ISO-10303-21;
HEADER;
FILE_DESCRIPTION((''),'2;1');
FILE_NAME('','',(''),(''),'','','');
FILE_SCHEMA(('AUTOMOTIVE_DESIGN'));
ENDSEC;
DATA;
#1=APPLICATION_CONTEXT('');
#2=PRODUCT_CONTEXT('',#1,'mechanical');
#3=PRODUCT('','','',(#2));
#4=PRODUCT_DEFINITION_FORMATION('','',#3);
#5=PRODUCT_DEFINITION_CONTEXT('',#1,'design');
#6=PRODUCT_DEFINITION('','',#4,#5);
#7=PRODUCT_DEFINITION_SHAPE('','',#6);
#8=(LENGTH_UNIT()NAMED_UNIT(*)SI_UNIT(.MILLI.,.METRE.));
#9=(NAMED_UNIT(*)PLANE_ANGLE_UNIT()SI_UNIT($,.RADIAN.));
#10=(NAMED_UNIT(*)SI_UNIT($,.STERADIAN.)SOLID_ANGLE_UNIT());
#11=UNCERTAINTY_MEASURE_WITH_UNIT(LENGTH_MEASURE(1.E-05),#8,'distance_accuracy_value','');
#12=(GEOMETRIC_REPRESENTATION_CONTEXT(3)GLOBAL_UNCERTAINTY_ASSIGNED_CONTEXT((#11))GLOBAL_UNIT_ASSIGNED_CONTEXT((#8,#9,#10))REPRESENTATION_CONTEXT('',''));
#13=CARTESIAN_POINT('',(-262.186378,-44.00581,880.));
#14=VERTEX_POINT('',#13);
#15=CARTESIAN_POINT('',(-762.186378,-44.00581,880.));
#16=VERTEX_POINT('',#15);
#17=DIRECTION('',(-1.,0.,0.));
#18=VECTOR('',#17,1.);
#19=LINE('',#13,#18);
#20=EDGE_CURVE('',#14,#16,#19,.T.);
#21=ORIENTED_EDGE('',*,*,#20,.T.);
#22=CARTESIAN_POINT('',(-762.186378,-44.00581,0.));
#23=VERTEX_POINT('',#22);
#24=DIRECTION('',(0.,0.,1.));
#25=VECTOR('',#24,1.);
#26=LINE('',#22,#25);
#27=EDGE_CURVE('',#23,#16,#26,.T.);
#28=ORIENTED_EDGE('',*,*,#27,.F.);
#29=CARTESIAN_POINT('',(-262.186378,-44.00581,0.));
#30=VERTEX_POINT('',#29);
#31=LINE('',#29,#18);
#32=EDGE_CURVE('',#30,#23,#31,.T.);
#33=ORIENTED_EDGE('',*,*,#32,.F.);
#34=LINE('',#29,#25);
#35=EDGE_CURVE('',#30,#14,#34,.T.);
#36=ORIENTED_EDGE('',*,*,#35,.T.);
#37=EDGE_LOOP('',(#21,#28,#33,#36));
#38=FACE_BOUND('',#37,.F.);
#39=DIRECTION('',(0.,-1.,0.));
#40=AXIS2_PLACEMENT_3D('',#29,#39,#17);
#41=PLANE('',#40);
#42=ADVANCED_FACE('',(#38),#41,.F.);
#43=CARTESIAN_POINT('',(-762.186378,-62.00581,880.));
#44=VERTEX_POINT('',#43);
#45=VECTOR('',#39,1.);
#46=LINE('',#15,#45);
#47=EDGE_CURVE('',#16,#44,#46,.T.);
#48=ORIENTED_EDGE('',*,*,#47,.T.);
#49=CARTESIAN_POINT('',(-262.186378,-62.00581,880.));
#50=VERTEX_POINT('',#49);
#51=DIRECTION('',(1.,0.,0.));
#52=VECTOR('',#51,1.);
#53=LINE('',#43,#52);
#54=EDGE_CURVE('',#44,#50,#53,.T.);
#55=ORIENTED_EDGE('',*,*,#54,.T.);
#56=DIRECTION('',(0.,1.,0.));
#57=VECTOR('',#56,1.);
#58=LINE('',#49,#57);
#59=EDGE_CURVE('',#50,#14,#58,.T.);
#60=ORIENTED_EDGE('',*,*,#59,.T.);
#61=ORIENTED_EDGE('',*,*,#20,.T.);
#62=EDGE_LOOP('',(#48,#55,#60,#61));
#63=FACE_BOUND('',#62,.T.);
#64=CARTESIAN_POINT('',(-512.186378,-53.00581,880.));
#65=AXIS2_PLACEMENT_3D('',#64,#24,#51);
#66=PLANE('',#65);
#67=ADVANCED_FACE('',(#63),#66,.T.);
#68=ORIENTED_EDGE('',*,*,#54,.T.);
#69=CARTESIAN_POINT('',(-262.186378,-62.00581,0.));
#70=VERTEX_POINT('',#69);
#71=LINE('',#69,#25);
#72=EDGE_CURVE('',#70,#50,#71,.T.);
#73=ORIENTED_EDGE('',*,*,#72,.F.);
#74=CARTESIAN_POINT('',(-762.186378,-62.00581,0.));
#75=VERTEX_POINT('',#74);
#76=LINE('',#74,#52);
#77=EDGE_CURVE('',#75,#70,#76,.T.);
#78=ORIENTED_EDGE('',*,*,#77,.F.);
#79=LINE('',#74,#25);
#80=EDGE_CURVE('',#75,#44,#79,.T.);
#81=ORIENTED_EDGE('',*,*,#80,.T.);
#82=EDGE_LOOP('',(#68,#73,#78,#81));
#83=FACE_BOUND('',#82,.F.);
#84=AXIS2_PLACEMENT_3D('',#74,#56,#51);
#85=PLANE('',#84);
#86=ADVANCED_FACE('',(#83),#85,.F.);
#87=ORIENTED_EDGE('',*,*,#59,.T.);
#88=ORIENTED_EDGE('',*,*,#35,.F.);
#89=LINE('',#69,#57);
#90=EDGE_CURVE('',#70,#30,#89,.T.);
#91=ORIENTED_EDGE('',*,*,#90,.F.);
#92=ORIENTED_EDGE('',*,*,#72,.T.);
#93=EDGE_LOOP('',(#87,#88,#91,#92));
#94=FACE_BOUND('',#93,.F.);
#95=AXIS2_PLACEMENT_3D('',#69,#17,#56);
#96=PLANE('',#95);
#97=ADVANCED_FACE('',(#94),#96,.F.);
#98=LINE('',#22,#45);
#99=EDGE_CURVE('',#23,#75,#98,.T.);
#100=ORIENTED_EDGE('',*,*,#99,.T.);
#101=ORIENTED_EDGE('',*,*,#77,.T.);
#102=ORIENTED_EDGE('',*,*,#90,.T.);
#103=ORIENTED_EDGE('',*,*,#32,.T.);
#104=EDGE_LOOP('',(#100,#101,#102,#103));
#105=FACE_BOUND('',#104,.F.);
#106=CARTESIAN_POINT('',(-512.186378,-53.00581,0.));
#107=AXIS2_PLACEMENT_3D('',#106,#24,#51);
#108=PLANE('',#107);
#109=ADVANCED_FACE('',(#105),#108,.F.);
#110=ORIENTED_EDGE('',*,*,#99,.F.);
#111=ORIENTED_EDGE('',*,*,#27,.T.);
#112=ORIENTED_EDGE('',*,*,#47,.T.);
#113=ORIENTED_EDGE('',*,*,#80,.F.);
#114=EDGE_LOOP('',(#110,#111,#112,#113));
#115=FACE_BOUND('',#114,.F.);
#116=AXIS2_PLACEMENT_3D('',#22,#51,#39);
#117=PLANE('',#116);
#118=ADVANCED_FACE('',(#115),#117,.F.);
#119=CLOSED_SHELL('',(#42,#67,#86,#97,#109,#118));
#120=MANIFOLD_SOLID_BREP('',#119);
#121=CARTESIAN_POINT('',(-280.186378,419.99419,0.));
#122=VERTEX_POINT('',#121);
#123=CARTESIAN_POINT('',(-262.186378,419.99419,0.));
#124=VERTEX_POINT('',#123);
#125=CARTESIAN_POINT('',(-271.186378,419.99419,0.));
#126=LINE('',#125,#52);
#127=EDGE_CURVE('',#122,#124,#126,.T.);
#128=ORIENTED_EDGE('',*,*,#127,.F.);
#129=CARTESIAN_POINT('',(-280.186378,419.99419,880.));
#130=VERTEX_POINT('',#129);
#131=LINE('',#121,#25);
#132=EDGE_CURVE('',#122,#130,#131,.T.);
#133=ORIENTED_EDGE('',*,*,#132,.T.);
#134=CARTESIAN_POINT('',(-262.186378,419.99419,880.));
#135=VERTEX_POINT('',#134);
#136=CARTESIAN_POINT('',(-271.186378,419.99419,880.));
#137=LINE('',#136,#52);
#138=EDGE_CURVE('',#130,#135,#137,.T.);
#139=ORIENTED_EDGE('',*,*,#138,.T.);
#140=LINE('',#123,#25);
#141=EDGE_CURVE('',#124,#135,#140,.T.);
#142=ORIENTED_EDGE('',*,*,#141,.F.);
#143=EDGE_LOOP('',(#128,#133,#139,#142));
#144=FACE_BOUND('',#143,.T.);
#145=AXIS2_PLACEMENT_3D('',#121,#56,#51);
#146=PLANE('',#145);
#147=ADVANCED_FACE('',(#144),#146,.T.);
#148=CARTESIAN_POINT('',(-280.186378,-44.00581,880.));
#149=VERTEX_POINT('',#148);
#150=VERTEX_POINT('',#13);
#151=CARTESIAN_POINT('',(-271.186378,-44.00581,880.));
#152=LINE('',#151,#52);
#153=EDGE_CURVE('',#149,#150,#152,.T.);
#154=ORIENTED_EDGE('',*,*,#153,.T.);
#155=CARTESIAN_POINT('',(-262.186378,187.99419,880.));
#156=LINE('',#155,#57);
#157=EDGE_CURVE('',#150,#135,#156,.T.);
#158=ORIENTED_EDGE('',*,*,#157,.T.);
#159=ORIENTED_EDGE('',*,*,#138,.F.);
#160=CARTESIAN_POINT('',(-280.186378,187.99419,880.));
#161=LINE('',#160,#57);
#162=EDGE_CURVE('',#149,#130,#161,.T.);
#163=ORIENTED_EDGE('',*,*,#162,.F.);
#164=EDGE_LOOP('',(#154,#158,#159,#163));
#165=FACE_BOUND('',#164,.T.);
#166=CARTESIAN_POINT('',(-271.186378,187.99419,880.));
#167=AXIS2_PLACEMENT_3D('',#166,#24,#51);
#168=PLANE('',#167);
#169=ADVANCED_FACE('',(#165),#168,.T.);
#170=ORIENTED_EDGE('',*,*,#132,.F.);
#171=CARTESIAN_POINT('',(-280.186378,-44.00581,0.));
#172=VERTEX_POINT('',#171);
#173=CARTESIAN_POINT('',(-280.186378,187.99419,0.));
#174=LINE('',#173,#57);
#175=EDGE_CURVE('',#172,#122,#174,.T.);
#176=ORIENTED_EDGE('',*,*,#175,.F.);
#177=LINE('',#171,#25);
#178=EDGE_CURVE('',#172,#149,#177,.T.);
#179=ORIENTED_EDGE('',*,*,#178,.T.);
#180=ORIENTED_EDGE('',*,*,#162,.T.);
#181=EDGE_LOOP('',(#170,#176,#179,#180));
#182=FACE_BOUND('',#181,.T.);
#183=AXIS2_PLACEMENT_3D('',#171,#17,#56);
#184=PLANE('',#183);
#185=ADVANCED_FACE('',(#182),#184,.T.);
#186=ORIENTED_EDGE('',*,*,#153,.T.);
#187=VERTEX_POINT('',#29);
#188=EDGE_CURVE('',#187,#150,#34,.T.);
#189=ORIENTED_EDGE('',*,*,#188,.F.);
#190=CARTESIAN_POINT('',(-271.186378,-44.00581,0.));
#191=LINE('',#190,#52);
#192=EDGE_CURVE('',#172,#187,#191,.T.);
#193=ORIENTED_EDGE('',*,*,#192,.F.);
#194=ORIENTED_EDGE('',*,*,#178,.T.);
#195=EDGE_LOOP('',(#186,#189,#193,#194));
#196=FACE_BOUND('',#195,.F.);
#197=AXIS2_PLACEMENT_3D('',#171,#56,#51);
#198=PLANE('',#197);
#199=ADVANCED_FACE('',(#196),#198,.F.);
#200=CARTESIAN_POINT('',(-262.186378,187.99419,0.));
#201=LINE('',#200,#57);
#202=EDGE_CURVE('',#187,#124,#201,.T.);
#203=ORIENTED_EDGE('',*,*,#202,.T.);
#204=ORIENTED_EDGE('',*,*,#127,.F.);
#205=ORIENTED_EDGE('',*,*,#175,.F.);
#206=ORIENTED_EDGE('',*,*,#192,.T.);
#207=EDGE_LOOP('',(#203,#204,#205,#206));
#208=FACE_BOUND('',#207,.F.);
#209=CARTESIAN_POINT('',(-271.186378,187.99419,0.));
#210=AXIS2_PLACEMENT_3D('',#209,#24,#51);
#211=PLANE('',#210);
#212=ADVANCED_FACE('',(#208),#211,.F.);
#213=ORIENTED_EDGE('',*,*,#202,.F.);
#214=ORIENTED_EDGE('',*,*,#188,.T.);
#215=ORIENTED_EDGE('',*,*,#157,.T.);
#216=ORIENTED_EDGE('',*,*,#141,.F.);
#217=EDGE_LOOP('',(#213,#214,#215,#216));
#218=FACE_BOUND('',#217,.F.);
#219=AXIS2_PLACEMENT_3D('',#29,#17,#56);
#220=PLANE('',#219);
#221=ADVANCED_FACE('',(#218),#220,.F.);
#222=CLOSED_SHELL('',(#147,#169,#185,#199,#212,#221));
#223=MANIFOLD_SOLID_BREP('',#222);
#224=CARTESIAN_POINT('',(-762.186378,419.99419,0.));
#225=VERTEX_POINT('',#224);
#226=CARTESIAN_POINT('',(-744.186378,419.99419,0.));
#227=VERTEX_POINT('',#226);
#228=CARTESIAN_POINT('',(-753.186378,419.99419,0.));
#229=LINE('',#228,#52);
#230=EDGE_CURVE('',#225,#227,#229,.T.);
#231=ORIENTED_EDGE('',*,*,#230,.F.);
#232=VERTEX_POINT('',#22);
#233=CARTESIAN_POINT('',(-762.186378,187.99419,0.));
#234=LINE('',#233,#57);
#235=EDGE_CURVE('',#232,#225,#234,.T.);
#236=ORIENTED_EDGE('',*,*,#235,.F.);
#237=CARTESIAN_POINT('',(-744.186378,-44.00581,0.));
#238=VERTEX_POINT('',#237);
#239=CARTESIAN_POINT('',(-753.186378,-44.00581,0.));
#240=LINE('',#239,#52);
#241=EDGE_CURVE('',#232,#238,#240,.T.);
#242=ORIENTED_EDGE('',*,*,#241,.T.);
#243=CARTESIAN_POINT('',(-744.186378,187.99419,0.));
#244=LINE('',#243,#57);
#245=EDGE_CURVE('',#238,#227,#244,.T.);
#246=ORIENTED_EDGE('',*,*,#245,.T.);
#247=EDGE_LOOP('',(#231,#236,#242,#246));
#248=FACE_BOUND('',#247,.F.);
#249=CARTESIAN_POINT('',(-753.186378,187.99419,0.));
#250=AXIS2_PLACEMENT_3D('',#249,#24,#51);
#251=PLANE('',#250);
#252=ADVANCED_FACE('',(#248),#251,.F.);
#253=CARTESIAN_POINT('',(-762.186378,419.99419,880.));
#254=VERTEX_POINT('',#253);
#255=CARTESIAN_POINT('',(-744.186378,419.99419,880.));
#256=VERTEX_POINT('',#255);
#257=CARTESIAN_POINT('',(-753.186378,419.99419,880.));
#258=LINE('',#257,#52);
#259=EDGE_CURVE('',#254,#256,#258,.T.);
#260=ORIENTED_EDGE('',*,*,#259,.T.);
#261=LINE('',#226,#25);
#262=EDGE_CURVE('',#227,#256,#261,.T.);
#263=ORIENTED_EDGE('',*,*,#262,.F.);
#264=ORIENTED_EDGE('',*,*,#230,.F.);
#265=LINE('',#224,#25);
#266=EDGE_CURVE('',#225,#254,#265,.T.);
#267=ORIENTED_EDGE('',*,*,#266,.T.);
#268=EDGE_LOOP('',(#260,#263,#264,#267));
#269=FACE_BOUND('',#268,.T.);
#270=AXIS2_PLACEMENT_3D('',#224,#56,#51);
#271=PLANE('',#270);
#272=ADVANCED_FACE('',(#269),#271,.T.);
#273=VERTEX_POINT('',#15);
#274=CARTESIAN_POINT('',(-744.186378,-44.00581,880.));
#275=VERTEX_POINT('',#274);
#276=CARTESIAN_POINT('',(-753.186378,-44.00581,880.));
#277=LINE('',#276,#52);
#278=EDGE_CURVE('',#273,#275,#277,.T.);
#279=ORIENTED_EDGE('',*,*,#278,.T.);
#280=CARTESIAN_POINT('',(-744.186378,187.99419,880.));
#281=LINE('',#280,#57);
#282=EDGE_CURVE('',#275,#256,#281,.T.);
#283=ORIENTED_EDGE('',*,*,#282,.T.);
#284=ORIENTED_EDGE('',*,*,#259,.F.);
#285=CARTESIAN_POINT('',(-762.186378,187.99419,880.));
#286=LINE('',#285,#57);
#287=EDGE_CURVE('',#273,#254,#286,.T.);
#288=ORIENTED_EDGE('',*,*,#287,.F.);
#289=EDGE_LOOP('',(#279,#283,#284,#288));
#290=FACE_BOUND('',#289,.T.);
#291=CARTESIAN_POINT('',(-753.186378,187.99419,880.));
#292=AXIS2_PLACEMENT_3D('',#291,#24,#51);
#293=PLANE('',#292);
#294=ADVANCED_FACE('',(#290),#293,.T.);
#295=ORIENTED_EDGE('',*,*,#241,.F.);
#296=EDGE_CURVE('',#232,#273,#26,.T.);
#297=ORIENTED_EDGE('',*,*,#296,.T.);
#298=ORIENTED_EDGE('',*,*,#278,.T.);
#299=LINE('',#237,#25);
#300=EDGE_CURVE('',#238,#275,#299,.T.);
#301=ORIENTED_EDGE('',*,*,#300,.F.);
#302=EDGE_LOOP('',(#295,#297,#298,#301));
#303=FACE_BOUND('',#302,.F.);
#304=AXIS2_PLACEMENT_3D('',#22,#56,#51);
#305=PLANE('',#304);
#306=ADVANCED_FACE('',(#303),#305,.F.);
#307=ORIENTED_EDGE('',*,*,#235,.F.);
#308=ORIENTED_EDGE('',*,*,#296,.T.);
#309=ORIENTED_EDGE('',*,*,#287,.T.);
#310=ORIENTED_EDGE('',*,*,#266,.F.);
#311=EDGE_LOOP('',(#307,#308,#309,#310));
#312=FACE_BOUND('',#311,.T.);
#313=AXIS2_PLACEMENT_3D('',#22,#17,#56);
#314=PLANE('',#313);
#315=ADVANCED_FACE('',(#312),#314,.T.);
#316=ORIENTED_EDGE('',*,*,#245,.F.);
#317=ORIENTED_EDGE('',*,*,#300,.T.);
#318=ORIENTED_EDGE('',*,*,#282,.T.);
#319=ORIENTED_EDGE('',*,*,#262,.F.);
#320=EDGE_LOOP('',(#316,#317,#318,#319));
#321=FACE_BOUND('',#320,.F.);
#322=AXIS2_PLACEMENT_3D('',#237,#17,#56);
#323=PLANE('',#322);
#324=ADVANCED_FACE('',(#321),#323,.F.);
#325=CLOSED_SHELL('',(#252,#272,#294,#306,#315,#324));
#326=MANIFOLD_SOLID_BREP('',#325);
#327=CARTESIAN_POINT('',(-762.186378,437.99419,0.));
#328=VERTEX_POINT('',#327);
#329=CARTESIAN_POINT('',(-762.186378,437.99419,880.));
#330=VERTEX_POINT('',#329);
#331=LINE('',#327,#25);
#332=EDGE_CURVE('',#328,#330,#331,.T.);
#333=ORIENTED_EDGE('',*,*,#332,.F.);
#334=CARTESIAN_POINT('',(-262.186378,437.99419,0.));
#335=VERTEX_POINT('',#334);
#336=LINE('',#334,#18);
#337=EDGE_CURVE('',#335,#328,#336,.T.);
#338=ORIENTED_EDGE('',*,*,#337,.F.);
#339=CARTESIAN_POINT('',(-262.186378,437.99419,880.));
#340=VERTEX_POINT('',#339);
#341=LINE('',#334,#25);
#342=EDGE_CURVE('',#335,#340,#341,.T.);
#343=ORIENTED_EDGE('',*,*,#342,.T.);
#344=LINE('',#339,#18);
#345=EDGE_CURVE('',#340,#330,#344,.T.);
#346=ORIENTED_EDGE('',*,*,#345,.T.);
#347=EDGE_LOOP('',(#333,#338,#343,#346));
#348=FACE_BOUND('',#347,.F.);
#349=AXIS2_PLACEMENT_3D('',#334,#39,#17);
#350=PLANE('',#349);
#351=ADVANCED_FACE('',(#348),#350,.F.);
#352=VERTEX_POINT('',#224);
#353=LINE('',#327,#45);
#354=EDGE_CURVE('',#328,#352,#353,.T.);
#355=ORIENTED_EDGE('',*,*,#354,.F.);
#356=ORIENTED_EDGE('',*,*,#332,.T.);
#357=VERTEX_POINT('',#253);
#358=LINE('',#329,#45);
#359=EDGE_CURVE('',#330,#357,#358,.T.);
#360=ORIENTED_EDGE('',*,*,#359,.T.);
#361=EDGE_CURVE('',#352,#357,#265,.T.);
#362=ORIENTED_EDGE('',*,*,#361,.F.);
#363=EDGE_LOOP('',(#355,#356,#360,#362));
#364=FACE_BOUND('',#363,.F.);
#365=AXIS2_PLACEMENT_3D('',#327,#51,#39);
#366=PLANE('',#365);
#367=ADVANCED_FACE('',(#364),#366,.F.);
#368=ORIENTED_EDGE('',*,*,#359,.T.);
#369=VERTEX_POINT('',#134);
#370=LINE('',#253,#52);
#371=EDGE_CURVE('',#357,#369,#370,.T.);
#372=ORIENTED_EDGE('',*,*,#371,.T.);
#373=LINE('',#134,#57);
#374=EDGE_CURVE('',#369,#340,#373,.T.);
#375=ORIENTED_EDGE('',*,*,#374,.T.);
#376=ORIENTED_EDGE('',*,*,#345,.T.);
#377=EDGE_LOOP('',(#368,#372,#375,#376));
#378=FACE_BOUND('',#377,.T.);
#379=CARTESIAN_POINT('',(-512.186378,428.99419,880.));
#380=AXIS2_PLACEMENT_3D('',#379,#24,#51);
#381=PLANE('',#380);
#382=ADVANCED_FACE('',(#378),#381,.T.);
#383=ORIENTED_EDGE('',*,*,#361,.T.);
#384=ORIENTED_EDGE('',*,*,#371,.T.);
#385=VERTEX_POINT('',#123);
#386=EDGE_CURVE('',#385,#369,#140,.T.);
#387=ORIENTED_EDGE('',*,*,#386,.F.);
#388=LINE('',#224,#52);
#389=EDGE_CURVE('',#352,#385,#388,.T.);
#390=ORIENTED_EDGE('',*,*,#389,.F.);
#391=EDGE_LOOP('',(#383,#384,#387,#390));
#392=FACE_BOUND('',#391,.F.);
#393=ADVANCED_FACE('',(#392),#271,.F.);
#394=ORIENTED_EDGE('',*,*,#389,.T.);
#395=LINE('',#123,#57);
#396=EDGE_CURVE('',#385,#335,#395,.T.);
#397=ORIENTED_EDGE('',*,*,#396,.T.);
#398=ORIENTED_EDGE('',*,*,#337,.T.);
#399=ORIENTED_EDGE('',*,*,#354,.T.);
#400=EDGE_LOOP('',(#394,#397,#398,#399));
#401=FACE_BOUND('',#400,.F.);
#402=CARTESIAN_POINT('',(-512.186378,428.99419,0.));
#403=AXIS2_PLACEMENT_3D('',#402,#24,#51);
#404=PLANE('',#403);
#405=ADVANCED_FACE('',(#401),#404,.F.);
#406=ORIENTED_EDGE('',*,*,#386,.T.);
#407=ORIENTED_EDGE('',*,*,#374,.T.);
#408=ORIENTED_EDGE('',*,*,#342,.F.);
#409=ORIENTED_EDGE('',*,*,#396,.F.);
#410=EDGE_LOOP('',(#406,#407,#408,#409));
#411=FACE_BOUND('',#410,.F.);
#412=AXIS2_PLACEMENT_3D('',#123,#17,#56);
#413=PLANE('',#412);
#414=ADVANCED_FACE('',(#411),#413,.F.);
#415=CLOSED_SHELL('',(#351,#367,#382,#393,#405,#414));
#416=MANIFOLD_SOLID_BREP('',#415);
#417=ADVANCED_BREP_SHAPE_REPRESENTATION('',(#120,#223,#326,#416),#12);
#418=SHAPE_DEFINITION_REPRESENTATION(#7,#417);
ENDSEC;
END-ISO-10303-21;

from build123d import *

# Parameters (mm, degrees)
F1_DEPTH = 880
F0_W     = 18
F0_H     = 464
F2_DEPTH = 880


with BuildPart() as f1:
    # F0 (on Top) → F1 (new body)
    with BuildSketch(Plane.XY):
        Polygon((-262.186378, 437.99419), (-762.186378, 437.99419), (-762.186378, 419.99419), (-744.186378, 419.99419), (-280.186378, 419.99419), (-262.186378, 419.99419), align=None)
        Polygon((-744.186378, -44.00581), (-762.186378, -44.00581), (-762.186378, -62.00581), (-262.186378, -62.00581), (-262.186378, -44.00581), (-280.186378, -44.00581), align=None)
    extrude(amount=F1_DEPTH)


with BuildPart() as f2:
    # F0 (on Top) → F2 (new body)
    with BuildSketch(Plane.XY):
        with Locations((-753.186378, 187.99419)):
            Rectangle(F0_W, F0_H)
        with Locations((-271.186378, 187.99419)):
            Rectangle(F0_W, F0_H)
    extrude(amount=F2_DEPTH)


solid = Compound([f1.part, f2.part])
